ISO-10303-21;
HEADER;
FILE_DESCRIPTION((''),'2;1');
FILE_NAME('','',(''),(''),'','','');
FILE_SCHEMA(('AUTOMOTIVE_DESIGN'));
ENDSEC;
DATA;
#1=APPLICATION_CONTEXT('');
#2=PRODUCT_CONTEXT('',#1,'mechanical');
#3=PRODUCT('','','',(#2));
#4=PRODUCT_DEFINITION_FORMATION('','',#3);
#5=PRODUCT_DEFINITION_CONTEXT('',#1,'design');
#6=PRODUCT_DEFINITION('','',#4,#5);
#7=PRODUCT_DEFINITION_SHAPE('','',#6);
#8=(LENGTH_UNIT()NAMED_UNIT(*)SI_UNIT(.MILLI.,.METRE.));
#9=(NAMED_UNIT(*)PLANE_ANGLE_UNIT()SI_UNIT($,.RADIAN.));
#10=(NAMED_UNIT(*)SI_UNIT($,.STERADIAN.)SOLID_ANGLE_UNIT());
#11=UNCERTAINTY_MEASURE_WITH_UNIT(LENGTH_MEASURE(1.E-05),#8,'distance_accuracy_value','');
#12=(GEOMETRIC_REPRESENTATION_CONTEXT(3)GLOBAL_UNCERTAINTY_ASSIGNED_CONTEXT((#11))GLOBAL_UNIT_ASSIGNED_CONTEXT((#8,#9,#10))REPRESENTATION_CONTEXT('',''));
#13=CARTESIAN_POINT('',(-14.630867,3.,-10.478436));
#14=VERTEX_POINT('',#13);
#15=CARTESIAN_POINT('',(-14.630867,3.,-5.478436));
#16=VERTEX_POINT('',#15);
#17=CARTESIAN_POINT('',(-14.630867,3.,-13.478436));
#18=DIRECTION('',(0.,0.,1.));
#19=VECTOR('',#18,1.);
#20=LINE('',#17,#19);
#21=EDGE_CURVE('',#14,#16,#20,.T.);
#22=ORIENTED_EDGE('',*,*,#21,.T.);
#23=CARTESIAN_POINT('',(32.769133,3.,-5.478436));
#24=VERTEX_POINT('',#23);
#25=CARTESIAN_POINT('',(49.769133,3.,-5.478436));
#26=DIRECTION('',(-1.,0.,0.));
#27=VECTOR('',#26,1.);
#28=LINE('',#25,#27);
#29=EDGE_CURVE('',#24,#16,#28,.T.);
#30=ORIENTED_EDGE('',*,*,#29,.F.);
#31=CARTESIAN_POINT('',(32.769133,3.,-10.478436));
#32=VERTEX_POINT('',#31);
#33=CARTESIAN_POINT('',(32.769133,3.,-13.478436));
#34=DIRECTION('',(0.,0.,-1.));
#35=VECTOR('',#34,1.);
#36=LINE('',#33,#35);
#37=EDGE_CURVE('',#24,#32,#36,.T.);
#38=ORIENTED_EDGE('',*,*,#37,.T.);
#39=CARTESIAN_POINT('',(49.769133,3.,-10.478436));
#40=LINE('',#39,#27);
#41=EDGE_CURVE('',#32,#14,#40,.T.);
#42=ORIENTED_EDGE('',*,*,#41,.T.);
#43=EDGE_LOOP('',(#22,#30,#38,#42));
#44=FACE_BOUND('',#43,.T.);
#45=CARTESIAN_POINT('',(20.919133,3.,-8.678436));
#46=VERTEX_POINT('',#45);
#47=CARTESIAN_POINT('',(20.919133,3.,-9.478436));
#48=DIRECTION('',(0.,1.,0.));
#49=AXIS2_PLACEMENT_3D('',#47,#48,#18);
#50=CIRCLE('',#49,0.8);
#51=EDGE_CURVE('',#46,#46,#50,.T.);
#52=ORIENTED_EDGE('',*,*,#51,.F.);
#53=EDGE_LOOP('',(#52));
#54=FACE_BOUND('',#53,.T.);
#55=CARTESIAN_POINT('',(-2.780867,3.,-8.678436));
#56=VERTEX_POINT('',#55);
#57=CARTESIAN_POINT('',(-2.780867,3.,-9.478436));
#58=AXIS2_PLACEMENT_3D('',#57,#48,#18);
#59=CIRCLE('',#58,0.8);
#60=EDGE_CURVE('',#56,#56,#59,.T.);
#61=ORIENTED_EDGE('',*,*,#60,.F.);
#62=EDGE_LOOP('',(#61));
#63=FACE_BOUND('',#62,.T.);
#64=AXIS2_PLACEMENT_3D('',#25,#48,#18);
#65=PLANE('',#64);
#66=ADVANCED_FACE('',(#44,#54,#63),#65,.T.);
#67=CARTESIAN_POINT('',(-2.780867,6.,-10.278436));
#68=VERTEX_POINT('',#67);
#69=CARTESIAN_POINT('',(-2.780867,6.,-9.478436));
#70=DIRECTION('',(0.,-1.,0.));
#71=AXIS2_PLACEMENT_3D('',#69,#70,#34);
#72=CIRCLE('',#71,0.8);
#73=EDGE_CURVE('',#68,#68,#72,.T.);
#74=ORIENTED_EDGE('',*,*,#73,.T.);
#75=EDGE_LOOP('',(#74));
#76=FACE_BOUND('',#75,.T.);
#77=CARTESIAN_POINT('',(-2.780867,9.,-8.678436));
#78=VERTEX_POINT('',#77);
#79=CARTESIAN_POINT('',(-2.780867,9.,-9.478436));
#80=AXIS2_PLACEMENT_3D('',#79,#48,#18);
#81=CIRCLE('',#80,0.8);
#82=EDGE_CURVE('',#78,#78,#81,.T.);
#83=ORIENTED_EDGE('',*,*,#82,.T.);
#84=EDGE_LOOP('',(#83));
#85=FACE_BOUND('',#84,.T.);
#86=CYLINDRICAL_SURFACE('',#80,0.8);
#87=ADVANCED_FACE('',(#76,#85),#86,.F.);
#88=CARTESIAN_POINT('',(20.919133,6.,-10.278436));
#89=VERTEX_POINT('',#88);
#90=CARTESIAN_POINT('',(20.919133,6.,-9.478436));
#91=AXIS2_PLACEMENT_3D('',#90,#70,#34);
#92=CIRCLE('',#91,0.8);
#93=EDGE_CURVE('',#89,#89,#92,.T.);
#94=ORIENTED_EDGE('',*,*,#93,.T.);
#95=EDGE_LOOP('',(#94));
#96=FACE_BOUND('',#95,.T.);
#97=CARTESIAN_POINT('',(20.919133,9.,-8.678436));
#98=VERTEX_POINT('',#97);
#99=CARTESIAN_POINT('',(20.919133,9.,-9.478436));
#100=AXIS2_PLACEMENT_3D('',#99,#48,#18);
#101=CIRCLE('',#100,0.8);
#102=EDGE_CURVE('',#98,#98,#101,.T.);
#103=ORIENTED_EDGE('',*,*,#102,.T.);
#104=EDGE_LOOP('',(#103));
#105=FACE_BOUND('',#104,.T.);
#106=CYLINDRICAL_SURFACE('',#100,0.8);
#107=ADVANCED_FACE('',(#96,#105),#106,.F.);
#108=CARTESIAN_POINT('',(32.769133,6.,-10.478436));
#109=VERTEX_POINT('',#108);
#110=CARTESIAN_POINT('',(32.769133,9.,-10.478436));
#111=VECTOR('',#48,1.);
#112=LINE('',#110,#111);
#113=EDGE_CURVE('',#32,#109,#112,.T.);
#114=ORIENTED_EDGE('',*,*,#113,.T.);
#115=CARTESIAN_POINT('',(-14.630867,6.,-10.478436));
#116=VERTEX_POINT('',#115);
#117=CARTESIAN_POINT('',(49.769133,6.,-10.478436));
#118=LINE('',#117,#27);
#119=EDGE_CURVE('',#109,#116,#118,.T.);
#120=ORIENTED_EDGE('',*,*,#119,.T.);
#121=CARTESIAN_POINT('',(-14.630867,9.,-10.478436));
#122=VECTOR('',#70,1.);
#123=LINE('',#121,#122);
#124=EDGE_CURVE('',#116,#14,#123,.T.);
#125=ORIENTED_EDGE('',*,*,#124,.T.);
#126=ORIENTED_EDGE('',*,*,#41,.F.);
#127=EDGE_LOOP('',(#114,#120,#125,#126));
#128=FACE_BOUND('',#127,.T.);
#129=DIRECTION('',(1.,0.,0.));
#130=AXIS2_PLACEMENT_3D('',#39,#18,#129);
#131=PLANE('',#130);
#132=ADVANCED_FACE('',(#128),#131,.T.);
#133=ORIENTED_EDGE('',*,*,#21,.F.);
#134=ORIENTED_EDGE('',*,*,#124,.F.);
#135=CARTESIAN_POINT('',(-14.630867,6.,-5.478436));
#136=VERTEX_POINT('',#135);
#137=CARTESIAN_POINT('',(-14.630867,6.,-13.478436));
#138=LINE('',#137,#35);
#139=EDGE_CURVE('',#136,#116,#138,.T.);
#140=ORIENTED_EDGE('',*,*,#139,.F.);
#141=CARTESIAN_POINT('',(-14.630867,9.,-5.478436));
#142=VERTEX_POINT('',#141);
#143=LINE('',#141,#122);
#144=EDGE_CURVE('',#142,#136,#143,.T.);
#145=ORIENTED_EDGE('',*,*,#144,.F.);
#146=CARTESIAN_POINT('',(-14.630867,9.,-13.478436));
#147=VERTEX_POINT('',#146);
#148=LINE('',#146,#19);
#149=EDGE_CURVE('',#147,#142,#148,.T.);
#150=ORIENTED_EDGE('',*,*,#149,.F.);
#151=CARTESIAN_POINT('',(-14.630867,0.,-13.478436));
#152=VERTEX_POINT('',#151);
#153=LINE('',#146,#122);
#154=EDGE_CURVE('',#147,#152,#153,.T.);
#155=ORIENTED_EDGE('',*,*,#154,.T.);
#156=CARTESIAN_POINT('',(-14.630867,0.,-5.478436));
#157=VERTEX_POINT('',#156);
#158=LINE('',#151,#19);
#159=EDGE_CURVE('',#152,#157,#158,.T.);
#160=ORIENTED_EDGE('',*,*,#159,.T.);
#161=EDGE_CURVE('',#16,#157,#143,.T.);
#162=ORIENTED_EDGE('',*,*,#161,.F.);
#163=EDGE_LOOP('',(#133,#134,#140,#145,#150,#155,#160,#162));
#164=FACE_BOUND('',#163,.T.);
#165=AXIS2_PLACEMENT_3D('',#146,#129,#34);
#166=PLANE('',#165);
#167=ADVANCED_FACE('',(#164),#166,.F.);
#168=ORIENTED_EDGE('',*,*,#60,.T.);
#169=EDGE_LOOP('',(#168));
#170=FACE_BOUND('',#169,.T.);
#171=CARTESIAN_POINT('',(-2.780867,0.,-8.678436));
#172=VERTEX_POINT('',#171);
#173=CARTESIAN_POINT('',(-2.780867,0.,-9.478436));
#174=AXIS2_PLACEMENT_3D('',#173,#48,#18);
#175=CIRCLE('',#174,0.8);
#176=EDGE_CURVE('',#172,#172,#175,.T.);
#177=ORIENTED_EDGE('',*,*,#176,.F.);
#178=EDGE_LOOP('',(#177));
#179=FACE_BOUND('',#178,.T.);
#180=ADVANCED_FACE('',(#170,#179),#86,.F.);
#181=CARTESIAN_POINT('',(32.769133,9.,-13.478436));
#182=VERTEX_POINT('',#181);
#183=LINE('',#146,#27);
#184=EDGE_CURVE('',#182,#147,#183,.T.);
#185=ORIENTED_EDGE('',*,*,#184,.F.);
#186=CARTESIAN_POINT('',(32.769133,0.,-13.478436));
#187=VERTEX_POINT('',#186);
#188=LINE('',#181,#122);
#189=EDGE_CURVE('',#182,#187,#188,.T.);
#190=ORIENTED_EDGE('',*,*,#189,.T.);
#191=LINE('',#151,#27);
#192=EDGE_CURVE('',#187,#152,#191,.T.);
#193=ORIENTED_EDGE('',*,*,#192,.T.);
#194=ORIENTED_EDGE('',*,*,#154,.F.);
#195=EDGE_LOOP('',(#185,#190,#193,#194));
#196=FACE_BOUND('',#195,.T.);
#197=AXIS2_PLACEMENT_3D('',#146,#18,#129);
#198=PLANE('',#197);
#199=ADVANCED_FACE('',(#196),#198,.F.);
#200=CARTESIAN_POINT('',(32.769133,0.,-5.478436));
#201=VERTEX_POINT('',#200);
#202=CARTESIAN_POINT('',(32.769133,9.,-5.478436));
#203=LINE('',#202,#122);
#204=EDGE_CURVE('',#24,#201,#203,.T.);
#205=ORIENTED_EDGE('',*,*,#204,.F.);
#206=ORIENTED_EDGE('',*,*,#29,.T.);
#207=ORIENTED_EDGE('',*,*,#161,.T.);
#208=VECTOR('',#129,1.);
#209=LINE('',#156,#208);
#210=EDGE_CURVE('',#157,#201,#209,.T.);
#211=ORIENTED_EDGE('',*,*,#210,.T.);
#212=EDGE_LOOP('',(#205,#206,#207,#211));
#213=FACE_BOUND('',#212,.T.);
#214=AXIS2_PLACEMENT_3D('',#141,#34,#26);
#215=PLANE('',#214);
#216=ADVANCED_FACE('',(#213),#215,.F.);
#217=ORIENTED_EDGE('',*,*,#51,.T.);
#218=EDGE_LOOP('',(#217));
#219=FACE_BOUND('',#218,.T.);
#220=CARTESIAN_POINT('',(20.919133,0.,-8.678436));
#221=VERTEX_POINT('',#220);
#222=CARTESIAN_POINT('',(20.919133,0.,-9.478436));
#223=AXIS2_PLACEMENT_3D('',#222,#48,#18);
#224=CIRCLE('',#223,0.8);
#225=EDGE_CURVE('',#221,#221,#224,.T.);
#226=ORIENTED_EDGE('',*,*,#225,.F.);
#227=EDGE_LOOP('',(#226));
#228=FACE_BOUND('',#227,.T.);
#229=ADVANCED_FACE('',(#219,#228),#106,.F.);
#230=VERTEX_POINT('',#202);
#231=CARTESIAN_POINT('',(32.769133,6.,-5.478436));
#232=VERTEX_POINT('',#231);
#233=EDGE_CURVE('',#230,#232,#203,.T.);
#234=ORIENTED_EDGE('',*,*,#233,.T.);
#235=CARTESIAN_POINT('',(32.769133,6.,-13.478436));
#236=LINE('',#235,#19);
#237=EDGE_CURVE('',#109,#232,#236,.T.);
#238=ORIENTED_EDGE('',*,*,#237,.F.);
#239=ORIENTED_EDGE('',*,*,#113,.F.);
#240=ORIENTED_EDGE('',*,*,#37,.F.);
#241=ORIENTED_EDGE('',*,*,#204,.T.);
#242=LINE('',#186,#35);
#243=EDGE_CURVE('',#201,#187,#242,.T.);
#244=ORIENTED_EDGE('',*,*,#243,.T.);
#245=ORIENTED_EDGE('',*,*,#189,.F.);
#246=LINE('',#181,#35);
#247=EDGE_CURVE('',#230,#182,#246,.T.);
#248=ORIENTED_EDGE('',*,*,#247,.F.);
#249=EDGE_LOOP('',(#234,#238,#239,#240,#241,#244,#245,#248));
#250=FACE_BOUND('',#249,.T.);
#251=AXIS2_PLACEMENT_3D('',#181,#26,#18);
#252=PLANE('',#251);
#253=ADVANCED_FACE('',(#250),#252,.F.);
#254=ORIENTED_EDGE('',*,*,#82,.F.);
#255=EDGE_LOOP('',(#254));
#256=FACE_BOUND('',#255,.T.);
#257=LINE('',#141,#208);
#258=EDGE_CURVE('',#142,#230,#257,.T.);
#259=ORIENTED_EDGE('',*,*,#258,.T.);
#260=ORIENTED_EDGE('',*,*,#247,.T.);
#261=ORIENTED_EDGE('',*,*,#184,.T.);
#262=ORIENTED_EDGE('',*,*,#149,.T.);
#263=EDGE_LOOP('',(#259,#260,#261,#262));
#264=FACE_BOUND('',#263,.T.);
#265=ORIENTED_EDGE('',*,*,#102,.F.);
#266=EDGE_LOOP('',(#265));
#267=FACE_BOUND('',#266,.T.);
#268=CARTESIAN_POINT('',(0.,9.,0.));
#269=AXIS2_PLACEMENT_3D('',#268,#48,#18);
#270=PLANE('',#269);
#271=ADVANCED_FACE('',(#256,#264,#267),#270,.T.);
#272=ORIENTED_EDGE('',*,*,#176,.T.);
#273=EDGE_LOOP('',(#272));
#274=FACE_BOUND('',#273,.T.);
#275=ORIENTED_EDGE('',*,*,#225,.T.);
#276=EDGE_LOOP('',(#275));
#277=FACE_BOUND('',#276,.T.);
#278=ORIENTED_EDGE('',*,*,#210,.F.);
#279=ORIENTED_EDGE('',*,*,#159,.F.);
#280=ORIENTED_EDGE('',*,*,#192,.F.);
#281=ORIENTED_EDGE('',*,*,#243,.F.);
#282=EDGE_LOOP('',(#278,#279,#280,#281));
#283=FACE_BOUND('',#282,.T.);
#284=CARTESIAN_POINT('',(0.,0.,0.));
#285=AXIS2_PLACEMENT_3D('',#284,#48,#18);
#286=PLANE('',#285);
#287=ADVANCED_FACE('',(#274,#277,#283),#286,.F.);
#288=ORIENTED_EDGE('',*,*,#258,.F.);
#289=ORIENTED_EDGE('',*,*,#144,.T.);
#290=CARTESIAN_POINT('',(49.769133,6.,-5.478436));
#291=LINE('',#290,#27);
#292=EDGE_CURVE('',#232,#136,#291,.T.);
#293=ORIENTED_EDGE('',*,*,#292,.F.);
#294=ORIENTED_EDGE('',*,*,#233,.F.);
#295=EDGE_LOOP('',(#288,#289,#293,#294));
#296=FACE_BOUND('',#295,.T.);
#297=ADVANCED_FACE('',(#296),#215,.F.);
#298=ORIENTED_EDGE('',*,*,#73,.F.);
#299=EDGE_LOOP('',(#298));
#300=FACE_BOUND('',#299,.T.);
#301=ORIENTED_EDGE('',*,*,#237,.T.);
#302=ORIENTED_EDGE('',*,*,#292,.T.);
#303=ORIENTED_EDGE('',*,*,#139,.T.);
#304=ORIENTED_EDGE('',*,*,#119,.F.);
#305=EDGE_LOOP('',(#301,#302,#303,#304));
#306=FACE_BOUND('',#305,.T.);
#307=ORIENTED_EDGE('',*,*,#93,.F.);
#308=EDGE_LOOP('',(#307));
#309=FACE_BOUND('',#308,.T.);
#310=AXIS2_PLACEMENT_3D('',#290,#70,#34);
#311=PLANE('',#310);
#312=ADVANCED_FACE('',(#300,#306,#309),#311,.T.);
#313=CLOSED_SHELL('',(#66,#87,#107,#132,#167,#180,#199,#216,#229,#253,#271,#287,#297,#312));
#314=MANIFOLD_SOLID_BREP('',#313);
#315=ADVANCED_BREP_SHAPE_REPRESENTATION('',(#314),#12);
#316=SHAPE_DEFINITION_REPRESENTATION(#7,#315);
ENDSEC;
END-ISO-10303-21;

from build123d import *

# Parameters (mm, degrees)
SKETCH1_W               = 47.4
SKETCH1_H               = 8
BOSS_EXTRUDE1_DEPTH     = 9
CUT_EXTRUDE1_DEPTH      = 17
CUT_EXTRUDE1_DEPTH_BACK = 58
SKETCH2_W               = 5
SKETCH2_H               = 3
M2X0_4_TAPPED_HOLE1_D   = 1.6


with BuildPart() as part:
    # Sketch1 → Boss-Extrude1 (new body)
    with BuildSketch(Plane(origin=(0, 0, 0), x_dir=(1, 0, 0), z_dir=(0, 1, 0))):
        with Locations((9.069133192, 9.478435518)):
            Rectangle(SKETCH1_W, SKETCH1_H)
    extrude(amount=BOSS_EXTRUDE1_DEPTH)

    # Sketch2 → Cut-Extrude1 (cut, two sides: drawn at the far end of the back side and taken through both)
    with BuildSketch(Plane(origin=(32.769133192, 0, 0), x_dir=(0, 0, -1), z_dir=(1, 0, 0)).offset(-CUT_EXTRUDE1_DEPTH_BACK)):
        with Locations((7.978435518, 4.5)):
            Rectangle(SKETCH2_W, SKETCH2_H)
    extrude(amount=CUT_EXTRUDE1_DEPTH + CUT_EXTRUDE1_DEPTH_BACK, mode=Mode.SUBTRACT)

    # M2x0.4 Tapped Hole1 (through all)
    with Locations(Plane(origin=(0, 9, 0), x_dir=(1, 0, 0), z_dir=(0, 1, 0))):
        with Locations((-2.780866808, 9.478435518), (20.919133192, 9.478435518)):
            Hole(M2X0_4_TAPPED_HOLE1_D / 2)


solid = part.part
